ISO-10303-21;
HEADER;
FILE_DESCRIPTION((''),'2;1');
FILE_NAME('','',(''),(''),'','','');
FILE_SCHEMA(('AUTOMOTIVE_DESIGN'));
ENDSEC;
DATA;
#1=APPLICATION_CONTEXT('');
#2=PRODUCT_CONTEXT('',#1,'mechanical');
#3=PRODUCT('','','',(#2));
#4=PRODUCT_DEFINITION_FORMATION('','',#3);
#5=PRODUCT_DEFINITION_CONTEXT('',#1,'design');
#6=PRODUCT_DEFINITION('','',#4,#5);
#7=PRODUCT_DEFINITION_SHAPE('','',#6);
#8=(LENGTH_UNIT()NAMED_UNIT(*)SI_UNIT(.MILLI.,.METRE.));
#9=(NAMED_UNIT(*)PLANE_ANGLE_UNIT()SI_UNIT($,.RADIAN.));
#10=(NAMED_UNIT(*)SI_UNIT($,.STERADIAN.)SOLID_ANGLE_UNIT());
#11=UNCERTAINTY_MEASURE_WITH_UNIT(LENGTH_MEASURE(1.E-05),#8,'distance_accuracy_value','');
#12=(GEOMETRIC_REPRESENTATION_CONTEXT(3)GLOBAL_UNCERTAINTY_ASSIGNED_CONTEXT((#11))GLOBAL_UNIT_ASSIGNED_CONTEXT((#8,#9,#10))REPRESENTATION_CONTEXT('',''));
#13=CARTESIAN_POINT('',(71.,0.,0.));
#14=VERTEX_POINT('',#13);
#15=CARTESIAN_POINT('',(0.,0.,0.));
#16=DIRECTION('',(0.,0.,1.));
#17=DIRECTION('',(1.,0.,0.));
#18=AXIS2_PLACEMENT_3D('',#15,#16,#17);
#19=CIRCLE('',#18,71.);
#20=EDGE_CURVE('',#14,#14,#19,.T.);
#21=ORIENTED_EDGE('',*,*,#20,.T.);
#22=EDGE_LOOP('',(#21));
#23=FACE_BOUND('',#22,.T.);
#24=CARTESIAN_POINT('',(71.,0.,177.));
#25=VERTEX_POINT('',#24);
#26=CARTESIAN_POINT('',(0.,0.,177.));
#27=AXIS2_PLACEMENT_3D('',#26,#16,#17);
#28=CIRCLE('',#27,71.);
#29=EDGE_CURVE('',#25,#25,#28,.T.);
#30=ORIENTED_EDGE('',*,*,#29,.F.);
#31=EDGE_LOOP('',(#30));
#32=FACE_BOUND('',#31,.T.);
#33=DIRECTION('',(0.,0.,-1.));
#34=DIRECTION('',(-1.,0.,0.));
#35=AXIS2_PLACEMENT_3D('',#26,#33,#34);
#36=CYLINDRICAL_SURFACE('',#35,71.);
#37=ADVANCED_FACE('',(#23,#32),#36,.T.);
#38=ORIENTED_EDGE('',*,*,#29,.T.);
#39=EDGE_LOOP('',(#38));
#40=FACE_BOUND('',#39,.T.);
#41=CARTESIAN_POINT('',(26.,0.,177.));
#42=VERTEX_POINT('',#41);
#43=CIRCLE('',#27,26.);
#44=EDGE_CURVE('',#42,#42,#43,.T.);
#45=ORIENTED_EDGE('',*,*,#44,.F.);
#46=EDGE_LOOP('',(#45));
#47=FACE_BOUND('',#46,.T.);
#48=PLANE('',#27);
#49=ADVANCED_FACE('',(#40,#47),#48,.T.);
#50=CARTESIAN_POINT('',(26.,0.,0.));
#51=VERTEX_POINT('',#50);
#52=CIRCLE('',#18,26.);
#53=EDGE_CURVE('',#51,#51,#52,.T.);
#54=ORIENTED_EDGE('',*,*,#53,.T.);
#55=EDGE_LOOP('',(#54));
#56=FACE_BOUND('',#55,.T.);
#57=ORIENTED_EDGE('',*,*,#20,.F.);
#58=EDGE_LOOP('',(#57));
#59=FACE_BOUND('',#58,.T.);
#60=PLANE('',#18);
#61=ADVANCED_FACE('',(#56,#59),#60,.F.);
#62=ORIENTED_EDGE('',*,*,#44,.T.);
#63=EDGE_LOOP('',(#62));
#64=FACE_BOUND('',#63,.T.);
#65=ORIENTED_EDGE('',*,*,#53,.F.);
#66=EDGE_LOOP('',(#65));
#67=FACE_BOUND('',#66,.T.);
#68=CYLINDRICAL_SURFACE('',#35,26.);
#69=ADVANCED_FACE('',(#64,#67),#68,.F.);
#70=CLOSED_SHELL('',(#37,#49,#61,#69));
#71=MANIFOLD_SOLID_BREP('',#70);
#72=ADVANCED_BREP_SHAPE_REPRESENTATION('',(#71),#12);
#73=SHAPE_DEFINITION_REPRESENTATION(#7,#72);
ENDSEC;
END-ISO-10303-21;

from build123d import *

# Parameters (mm, degrees)
SCHIZZO1_R                   = 71
SCHIZZO1_R_2                 = 26
ESTRUSIONE_ESTRUSIONE1_DEPTH = 177


with BuildPart() as part:
    # Schizzo1 → Estrusione-Estrusione1 (new body)
    with BuildSketch(Plane.XY):
        Circle(SCHIZZO1_R)
        Circle(SCHIZZO1_R_2, mode=Mode.SUBTRACT)
    extrude(amount=ESTRUSIONE_ESTRUSIONE1_DEPTH)


solid = part.part
